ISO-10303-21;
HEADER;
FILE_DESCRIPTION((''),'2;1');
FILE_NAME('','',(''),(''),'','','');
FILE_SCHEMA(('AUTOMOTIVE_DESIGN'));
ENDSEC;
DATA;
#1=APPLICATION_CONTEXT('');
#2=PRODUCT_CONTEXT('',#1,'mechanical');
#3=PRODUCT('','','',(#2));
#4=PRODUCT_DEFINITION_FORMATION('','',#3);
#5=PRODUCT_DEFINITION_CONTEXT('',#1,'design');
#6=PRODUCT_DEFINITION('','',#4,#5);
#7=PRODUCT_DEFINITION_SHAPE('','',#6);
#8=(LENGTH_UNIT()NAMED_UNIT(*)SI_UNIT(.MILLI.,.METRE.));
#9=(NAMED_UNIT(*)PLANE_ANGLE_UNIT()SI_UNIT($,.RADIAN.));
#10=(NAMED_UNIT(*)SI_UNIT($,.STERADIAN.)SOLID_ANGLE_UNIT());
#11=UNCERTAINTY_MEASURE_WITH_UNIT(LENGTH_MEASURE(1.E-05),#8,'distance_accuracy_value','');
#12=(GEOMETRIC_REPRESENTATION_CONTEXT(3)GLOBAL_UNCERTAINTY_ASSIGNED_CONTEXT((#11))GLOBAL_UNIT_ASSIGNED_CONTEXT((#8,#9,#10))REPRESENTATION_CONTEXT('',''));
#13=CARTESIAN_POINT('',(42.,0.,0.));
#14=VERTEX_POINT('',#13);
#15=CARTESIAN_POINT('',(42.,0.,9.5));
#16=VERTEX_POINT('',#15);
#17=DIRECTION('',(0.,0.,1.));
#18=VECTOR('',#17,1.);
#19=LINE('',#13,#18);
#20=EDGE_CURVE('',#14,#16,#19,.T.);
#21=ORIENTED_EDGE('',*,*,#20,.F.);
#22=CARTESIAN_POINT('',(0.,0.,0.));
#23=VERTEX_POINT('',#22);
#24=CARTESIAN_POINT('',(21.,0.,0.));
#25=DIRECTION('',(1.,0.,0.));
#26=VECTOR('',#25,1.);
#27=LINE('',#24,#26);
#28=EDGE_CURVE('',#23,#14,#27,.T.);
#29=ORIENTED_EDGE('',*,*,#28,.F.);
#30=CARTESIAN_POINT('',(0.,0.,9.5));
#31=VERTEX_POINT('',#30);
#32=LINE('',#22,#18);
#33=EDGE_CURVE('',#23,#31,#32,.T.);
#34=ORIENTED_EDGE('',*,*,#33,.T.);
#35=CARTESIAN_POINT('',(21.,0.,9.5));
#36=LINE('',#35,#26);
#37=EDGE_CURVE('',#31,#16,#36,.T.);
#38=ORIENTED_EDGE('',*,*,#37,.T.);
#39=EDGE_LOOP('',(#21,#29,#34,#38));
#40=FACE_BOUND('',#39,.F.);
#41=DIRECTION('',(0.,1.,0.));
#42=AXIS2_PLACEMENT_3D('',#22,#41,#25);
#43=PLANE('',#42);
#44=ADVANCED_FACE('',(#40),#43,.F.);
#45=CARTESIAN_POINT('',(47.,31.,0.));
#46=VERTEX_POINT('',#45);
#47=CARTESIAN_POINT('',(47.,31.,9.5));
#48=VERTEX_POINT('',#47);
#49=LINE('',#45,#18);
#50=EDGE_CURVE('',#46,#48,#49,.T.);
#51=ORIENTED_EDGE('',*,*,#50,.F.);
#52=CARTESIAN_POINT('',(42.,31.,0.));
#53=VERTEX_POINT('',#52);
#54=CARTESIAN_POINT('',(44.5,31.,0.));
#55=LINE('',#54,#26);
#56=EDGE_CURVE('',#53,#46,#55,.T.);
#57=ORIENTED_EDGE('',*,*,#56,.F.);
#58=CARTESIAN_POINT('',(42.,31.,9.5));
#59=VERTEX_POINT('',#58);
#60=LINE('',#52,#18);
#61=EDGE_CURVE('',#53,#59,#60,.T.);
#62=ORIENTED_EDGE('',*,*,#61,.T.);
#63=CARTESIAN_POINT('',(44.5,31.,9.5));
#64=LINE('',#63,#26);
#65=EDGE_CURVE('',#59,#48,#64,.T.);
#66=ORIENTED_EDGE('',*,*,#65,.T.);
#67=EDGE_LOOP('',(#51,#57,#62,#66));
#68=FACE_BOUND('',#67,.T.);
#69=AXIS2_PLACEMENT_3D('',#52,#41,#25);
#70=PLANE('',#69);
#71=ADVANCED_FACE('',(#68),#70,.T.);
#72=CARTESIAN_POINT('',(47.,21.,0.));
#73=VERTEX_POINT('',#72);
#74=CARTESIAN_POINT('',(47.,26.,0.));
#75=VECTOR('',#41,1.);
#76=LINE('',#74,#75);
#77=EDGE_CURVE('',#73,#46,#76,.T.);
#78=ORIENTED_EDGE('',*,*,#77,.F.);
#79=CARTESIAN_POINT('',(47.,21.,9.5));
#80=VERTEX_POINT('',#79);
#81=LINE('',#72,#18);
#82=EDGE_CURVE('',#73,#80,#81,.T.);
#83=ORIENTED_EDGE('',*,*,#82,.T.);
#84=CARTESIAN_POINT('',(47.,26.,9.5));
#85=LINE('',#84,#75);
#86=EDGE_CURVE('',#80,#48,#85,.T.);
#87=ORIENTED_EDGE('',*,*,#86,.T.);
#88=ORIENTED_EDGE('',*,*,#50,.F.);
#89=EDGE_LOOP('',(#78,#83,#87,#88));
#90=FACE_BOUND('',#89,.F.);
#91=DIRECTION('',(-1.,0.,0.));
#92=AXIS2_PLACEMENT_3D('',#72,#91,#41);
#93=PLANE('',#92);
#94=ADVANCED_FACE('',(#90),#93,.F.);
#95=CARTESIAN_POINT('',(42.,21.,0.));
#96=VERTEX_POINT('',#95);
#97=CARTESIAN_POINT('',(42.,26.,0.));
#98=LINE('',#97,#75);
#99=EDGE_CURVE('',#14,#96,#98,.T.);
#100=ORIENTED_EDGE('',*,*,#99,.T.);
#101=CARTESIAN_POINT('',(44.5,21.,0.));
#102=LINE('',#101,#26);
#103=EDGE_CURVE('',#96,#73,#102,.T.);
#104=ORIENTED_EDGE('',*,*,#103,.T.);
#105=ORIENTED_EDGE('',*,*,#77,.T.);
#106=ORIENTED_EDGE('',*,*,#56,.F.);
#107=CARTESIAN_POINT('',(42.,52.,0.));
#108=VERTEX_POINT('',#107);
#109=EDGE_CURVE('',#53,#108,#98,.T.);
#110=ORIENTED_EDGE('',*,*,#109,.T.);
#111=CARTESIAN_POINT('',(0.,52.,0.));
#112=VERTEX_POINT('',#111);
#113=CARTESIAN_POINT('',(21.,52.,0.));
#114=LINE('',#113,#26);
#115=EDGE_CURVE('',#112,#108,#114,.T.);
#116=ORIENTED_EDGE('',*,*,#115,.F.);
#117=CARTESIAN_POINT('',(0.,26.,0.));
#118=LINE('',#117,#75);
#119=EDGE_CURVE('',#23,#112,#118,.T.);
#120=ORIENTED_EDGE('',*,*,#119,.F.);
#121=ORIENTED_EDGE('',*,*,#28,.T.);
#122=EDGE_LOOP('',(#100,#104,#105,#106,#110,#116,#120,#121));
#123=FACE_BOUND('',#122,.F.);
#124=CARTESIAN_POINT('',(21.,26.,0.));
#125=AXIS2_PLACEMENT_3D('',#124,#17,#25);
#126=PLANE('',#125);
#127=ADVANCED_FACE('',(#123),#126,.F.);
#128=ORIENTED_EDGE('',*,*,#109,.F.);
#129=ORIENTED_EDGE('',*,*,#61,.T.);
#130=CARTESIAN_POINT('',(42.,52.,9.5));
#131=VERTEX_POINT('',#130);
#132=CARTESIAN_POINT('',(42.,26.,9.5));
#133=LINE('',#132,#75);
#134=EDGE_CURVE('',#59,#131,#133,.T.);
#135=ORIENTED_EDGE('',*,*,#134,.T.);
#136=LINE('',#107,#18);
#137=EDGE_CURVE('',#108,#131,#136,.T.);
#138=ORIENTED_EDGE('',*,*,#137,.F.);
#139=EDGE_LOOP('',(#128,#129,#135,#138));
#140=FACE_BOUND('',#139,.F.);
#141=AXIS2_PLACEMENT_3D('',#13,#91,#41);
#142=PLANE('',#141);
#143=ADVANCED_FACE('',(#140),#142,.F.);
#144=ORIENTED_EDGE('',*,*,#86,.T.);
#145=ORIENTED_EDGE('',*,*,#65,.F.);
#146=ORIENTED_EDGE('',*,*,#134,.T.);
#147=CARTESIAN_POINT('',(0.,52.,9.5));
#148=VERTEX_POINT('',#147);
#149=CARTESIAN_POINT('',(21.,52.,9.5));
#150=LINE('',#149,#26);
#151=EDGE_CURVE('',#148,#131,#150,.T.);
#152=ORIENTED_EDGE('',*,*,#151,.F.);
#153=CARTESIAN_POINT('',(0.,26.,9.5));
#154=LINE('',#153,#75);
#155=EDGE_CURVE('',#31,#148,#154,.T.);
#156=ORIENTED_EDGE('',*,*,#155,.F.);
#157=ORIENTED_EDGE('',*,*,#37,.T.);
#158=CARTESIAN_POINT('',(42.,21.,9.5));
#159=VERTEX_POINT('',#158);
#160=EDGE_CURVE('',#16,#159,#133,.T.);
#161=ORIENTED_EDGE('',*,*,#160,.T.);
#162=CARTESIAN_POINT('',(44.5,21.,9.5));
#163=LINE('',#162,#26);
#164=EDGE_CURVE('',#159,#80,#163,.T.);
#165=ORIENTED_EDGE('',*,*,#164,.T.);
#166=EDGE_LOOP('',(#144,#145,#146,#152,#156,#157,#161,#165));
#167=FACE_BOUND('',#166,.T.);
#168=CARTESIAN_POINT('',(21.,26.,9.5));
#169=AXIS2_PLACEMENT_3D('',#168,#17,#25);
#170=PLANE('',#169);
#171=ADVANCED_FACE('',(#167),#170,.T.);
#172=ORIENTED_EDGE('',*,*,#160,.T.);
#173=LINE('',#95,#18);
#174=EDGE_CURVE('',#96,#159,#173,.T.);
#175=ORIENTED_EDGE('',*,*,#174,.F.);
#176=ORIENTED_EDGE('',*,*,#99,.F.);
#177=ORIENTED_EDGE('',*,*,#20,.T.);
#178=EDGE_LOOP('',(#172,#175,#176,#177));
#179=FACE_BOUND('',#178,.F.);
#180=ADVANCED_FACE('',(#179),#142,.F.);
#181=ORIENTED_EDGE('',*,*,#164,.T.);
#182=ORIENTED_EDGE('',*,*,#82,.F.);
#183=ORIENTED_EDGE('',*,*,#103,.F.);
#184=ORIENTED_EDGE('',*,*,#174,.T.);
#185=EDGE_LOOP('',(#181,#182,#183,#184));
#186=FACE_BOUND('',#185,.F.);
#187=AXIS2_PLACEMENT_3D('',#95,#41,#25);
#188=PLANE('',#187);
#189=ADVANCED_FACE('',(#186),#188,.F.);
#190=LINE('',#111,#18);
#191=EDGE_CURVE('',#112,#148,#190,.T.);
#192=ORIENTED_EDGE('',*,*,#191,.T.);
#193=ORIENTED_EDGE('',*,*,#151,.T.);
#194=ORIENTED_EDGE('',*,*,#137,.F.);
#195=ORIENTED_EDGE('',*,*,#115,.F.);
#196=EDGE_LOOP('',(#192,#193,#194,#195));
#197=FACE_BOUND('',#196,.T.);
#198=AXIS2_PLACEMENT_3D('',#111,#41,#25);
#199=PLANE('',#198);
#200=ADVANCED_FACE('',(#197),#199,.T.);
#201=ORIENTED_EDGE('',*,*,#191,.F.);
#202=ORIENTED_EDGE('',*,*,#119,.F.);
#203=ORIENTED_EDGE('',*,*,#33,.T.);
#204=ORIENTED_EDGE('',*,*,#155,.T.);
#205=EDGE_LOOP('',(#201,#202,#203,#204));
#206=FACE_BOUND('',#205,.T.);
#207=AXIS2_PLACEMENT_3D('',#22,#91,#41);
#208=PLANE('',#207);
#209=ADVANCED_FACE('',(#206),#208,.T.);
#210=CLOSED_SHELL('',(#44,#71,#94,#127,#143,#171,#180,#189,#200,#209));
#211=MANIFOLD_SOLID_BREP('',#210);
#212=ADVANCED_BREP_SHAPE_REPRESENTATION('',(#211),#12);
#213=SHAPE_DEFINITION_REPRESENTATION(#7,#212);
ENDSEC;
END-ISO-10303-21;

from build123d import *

# Parameters (mm, degrees)
BOX007_W     = 42
BOX007_H     = 52
BOX007_DEPTH = 9.5
BOX008_W     = 5
BOX008_H     = 10
BOX008_DEPTH = 9.5


with BuildPart() as cube006:
    # Box007 → Box007 (new body)
    with BuildSketch(Plane.XY):
        with Locations((21, 26)):
            Rectangle(BOX007_W, BOX007_H)
    extrude(amount=BOX007_DEPTH)


with BuildPart() as usb_fusion:
    # Box008 → Box008 (new body)
    with BuildSketch(Plane(origin=(42, 21, 0), x_dir=(1, 0, 0), z_dir=(0, 0, 1))):
        with Locations((2.5, 5)):
            Rectangle(BOX008_W, BOX008_H)
    extrude(amount=BOX008_DEPTH)

    # Fusion001: union Cube006
    add(cube006.part)


solid = usb_fusion.part
